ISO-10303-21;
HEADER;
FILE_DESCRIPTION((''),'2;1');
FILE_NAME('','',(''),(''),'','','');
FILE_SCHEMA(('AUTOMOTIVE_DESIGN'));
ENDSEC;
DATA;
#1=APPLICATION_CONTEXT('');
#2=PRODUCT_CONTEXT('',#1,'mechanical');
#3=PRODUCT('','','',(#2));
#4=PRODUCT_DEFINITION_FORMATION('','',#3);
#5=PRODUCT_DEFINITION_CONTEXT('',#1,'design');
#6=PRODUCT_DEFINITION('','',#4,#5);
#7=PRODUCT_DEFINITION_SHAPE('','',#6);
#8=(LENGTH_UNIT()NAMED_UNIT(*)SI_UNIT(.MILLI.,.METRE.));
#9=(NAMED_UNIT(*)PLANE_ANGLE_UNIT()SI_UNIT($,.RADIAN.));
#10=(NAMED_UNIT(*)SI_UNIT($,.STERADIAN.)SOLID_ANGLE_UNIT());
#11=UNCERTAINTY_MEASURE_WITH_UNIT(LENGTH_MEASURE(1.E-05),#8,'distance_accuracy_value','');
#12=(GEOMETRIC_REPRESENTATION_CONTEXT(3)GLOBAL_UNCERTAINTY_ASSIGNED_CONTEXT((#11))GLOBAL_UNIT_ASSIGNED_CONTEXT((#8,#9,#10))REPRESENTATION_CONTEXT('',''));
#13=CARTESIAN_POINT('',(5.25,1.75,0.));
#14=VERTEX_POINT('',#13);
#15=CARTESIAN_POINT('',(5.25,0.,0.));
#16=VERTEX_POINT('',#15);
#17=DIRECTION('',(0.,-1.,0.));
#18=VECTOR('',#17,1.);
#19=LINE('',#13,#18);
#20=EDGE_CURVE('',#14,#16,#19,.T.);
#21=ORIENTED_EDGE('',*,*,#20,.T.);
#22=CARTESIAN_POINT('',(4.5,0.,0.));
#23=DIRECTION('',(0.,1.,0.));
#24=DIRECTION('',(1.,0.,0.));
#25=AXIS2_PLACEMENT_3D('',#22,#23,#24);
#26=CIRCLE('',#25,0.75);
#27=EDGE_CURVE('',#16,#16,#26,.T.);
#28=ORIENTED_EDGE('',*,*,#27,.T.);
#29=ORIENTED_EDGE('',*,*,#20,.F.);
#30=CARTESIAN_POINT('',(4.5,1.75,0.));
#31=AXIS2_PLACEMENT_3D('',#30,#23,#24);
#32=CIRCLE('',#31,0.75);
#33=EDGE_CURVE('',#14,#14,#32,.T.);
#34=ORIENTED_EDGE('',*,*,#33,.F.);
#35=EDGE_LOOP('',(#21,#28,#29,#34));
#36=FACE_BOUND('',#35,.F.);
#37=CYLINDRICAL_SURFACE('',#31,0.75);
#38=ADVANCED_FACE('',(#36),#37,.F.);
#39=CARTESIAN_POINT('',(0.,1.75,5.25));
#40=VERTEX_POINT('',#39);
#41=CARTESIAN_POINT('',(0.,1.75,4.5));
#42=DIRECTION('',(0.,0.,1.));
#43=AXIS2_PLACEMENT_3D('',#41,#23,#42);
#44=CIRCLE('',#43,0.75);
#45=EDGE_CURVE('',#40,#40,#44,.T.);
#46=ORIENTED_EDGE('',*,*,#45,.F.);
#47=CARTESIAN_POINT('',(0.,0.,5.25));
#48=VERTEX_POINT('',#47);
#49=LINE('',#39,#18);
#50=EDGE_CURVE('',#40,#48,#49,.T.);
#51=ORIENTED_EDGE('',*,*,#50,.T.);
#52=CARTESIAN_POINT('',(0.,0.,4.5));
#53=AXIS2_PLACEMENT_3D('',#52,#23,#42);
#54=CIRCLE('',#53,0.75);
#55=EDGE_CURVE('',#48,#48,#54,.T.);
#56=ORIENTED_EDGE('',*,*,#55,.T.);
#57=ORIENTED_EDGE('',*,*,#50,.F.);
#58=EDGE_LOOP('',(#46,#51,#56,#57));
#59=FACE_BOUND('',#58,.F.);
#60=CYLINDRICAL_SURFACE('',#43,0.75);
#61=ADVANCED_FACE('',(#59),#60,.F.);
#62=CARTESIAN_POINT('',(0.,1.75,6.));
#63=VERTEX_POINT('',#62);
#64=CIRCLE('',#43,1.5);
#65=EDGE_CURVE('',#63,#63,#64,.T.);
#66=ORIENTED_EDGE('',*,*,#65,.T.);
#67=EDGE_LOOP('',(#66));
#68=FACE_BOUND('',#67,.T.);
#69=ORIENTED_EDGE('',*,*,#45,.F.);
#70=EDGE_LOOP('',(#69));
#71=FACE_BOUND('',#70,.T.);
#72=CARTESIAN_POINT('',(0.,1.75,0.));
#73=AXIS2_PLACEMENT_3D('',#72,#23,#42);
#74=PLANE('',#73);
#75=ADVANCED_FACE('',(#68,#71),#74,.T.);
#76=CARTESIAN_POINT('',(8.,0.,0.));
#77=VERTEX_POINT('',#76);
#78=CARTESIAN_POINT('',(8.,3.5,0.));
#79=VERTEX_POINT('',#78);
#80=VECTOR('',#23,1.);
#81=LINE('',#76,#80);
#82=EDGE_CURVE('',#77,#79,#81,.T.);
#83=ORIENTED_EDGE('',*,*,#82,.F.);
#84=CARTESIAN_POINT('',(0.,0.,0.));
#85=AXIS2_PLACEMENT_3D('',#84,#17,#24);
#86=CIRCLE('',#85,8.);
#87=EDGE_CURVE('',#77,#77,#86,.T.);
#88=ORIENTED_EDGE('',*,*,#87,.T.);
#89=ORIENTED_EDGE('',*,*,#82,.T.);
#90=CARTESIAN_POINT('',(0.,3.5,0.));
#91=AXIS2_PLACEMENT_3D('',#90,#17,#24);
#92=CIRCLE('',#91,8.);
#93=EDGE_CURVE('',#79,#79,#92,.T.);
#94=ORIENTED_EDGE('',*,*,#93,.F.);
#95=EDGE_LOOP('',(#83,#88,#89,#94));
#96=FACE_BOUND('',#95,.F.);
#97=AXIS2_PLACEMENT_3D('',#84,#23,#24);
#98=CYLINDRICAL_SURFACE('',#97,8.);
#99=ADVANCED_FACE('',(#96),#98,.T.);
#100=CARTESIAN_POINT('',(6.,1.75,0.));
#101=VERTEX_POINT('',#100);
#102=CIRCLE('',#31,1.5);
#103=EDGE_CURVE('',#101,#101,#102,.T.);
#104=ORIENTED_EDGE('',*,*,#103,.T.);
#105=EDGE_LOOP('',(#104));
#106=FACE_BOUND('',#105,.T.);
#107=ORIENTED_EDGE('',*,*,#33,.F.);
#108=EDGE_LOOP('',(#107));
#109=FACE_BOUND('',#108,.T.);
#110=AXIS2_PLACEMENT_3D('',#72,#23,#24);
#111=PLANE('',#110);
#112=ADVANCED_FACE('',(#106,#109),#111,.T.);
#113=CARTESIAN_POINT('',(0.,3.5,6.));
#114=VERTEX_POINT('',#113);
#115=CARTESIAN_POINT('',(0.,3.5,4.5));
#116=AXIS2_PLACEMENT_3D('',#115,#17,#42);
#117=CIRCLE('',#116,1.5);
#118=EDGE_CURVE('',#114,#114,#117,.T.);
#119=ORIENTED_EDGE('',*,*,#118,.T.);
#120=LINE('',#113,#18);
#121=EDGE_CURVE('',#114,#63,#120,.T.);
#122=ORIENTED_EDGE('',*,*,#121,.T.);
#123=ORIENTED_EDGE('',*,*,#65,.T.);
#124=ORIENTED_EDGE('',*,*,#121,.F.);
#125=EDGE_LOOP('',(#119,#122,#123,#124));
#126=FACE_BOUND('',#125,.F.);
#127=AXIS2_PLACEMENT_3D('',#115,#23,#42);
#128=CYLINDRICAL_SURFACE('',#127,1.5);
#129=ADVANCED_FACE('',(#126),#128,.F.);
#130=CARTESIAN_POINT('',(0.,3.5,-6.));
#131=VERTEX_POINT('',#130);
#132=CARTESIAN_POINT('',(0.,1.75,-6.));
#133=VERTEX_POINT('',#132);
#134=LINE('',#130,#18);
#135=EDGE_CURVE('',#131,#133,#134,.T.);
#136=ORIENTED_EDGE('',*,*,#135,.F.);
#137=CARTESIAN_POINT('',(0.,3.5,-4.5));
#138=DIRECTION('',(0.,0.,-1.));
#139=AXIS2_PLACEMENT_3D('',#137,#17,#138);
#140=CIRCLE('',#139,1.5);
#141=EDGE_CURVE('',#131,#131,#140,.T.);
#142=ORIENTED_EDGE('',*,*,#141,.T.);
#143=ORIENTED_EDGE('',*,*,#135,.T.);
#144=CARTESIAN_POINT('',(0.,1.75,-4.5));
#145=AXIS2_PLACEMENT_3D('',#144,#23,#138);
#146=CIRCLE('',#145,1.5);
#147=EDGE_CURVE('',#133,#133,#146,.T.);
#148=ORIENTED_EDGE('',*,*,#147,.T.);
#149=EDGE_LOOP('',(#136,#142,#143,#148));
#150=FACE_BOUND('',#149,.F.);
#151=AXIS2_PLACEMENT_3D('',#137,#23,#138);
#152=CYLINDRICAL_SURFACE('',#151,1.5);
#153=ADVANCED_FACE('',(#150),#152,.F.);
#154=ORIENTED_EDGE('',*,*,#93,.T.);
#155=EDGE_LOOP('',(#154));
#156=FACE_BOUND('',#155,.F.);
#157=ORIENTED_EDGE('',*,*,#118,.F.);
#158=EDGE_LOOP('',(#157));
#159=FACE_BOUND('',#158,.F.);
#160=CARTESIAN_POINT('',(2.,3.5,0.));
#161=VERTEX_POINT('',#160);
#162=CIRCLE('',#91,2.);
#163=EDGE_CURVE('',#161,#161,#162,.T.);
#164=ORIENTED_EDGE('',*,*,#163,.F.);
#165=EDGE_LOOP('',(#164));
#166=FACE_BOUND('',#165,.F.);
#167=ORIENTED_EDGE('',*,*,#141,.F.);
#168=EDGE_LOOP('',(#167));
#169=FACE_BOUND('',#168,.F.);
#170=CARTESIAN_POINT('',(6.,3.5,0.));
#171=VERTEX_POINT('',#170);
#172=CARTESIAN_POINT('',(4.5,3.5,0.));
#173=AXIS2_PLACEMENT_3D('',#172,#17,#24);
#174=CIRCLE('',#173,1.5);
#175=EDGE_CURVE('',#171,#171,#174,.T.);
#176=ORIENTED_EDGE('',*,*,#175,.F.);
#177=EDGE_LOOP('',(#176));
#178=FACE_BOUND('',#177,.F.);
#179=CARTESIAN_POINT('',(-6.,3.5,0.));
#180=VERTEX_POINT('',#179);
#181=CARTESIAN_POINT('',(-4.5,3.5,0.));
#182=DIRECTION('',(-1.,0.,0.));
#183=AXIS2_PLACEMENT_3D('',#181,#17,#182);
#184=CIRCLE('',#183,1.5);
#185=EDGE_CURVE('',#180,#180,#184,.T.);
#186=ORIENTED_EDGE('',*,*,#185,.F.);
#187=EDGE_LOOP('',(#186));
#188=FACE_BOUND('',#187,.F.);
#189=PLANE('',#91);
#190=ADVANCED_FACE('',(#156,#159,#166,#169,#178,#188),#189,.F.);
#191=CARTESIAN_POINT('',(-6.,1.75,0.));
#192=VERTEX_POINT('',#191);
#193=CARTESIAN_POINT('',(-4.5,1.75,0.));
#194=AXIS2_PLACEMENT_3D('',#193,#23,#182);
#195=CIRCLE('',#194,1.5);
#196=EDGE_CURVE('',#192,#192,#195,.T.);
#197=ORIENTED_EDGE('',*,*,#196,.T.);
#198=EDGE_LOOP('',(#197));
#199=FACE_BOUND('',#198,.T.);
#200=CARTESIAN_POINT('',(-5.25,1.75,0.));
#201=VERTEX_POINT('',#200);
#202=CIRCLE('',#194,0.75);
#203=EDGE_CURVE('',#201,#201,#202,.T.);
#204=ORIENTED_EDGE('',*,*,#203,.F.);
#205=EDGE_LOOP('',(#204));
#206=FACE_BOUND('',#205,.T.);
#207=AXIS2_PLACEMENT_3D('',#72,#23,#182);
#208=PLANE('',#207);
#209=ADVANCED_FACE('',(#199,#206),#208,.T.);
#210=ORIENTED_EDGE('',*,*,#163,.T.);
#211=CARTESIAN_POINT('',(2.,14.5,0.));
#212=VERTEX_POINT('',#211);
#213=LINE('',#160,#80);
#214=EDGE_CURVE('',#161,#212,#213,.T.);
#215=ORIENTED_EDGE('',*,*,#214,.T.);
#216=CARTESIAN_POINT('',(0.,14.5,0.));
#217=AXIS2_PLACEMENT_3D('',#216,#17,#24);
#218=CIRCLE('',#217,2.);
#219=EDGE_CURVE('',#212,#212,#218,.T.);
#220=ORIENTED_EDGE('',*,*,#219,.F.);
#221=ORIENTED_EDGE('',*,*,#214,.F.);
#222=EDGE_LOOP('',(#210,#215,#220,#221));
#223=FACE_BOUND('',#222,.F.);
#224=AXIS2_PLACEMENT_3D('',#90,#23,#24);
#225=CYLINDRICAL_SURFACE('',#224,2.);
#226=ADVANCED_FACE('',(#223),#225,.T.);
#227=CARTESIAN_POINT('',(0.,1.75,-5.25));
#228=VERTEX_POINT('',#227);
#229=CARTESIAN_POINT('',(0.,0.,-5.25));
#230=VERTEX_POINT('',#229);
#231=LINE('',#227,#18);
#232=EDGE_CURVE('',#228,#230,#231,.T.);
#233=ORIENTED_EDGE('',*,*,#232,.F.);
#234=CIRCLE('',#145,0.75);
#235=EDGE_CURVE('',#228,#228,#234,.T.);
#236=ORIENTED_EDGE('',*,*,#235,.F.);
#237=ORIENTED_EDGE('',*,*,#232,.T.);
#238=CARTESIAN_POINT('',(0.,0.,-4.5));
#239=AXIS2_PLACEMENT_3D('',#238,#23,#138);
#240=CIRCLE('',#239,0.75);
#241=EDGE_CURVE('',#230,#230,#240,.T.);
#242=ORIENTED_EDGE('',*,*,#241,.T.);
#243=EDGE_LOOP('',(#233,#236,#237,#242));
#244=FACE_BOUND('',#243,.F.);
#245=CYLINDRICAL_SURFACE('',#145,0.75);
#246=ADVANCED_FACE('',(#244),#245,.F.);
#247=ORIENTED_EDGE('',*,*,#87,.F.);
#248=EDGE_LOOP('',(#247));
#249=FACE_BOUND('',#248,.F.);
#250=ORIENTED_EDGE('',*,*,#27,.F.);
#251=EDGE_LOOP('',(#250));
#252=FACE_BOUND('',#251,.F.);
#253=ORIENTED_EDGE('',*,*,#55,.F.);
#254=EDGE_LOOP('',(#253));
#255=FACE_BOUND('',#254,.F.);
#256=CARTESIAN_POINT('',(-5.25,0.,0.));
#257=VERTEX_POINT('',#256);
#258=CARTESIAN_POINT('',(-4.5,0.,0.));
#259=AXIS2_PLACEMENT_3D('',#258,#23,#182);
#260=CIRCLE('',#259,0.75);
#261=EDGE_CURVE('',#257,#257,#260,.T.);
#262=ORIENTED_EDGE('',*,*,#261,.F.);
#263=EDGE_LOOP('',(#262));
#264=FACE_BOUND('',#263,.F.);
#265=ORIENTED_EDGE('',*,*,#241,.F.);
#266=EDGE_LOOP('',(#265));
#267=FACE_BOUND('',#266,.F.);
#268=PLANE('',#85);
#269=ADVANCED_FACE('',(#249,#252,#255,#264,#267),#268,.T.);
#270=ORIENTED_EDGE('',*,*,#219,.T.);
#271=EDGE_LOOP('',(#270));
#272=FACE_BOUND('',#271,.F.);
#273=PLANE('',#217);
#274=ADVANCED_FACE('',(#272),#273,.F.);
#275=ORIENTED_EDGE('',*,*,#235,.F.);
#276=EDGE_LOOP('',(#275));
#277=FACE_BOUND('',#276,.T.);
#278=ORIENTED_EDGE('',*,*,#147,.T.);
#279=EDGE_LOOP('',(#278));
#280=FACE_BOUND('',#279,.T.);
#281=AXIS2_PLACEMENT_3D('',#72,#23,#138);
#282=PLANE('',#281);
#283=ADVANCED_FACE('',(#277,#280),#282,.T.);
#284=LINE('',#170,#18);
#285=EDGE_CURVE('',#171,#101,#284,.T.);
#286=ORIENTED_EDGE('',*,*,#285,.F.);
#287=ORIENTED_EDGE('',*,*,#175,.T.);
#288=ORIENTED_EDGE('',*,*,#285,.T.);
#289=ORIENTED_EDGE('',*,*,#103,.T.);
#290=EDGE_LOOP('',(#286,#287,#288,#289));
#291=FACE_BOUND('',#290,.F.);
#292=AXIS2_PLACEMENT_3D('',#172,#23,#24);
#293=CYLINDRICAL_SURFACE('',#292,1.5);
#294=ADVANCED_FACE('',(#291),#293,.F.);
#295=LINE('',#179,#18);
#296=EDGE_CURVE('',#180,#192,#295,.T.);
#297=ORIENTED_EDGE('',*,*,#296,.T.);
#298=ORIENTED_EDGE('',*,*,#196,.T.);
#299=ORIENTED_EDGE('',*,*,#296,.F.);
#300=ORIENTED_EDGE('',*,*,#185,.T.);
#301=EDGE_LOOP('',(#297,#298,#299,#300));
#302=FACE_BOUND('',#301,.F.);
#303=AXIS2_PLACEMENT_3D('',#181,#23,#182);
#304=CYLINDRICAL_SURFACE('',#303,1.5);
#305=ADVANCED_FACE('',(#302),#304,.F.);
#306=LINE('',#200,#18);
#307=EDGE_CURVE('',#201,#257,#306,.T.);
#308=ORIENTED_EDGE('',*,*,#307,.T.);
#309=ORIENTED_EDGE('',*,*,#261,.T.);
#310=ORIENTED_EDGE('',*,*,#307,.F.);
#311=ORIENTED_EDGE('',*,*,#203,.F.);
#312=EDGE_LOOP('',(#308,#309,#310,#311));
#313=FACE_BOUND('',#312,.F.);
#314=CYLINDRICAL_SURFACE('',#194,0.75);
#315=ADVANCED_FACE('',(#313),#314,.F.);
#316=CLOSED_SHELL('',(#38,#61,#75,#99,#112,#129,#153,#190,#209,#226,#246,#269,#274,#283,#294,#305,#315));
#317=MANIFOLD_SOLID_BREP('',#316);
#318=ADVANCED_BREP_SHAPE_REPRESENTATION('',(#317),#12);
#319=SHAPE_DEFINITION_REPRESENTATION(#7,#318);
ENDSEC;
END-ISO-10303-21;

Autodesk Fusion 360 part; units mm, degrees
sketch "Sketch1" plane through (0, 0, 0) normal (0, 0, 1) x (1, 0, 0)
  line L0 (0, 0) -> (8, 0)
  line L1 (8, 0) -> (8, 3.5)
  line L2 (8, 3.5) -> (2, 3.5)
  line L3 (2, 3.5) -> (2, 14.5)
  line L4 (2, 14.5) -> (0, 14.5)
  line L5 (0, 14.5) -> (0, 0)
revolve "Revolve1" add sketch "Sketch1" angle 360 about axis through (0, 14.5, 0) along (0, -1, 0)
sketch "Sketch2" plane through (0, 3.5, 0) normal (0, 1, 0) x (-1, 0, 0)
  circle A0 centre (0, 0) radius 2
  circle A1 centre (0, 0) radius 8
  circle A2 centre (0, 0) radius 4.5
  line L0 (0, 0) -> (1, 0) construction
  line L1 (1, 0) -> (8, 0) construction
  line L2 (0, 0) -> (0, -0.385) construction
  line L3 (0, -0.385) -> (0, -8) construction
  line L4 (0, 0) -> (-8, 0) construction
  line L5 (0, 0) -> (0, 8) construction
  circle A3 centre (4.5, 0) radius 1.5
extrude "Extrude1" cut sketch "Sketch2" against normal blind 1.75 contours A2 A3 | A2 A3 picked at (4.0029, -0.277) picked at (4.9442, -0.3776)
sketch "Sketch3" plane through (0, 1.75, 0) normal (0, 1, 0) x (-1, 0, 0)
  circle A0 centre (4.5, 0) radius 1.5
  circle A1 centre (4.5, 0) radius 0.75
  dimension "d10" = 1.5
extrude "Extrude2" cut sketch "Sketch3" against normal blind 5 contours A1
pattern_circular "C-Pattern1" count 4 over 360 about axis through (0, 1.75, 0) along (0, 1, 0) of "Extrude1"
pattern_circular "C-Pattern2" count 4 over 360 about axis through (0, 1.75, 0) along (0, 1, 0) of "Extrude2"
